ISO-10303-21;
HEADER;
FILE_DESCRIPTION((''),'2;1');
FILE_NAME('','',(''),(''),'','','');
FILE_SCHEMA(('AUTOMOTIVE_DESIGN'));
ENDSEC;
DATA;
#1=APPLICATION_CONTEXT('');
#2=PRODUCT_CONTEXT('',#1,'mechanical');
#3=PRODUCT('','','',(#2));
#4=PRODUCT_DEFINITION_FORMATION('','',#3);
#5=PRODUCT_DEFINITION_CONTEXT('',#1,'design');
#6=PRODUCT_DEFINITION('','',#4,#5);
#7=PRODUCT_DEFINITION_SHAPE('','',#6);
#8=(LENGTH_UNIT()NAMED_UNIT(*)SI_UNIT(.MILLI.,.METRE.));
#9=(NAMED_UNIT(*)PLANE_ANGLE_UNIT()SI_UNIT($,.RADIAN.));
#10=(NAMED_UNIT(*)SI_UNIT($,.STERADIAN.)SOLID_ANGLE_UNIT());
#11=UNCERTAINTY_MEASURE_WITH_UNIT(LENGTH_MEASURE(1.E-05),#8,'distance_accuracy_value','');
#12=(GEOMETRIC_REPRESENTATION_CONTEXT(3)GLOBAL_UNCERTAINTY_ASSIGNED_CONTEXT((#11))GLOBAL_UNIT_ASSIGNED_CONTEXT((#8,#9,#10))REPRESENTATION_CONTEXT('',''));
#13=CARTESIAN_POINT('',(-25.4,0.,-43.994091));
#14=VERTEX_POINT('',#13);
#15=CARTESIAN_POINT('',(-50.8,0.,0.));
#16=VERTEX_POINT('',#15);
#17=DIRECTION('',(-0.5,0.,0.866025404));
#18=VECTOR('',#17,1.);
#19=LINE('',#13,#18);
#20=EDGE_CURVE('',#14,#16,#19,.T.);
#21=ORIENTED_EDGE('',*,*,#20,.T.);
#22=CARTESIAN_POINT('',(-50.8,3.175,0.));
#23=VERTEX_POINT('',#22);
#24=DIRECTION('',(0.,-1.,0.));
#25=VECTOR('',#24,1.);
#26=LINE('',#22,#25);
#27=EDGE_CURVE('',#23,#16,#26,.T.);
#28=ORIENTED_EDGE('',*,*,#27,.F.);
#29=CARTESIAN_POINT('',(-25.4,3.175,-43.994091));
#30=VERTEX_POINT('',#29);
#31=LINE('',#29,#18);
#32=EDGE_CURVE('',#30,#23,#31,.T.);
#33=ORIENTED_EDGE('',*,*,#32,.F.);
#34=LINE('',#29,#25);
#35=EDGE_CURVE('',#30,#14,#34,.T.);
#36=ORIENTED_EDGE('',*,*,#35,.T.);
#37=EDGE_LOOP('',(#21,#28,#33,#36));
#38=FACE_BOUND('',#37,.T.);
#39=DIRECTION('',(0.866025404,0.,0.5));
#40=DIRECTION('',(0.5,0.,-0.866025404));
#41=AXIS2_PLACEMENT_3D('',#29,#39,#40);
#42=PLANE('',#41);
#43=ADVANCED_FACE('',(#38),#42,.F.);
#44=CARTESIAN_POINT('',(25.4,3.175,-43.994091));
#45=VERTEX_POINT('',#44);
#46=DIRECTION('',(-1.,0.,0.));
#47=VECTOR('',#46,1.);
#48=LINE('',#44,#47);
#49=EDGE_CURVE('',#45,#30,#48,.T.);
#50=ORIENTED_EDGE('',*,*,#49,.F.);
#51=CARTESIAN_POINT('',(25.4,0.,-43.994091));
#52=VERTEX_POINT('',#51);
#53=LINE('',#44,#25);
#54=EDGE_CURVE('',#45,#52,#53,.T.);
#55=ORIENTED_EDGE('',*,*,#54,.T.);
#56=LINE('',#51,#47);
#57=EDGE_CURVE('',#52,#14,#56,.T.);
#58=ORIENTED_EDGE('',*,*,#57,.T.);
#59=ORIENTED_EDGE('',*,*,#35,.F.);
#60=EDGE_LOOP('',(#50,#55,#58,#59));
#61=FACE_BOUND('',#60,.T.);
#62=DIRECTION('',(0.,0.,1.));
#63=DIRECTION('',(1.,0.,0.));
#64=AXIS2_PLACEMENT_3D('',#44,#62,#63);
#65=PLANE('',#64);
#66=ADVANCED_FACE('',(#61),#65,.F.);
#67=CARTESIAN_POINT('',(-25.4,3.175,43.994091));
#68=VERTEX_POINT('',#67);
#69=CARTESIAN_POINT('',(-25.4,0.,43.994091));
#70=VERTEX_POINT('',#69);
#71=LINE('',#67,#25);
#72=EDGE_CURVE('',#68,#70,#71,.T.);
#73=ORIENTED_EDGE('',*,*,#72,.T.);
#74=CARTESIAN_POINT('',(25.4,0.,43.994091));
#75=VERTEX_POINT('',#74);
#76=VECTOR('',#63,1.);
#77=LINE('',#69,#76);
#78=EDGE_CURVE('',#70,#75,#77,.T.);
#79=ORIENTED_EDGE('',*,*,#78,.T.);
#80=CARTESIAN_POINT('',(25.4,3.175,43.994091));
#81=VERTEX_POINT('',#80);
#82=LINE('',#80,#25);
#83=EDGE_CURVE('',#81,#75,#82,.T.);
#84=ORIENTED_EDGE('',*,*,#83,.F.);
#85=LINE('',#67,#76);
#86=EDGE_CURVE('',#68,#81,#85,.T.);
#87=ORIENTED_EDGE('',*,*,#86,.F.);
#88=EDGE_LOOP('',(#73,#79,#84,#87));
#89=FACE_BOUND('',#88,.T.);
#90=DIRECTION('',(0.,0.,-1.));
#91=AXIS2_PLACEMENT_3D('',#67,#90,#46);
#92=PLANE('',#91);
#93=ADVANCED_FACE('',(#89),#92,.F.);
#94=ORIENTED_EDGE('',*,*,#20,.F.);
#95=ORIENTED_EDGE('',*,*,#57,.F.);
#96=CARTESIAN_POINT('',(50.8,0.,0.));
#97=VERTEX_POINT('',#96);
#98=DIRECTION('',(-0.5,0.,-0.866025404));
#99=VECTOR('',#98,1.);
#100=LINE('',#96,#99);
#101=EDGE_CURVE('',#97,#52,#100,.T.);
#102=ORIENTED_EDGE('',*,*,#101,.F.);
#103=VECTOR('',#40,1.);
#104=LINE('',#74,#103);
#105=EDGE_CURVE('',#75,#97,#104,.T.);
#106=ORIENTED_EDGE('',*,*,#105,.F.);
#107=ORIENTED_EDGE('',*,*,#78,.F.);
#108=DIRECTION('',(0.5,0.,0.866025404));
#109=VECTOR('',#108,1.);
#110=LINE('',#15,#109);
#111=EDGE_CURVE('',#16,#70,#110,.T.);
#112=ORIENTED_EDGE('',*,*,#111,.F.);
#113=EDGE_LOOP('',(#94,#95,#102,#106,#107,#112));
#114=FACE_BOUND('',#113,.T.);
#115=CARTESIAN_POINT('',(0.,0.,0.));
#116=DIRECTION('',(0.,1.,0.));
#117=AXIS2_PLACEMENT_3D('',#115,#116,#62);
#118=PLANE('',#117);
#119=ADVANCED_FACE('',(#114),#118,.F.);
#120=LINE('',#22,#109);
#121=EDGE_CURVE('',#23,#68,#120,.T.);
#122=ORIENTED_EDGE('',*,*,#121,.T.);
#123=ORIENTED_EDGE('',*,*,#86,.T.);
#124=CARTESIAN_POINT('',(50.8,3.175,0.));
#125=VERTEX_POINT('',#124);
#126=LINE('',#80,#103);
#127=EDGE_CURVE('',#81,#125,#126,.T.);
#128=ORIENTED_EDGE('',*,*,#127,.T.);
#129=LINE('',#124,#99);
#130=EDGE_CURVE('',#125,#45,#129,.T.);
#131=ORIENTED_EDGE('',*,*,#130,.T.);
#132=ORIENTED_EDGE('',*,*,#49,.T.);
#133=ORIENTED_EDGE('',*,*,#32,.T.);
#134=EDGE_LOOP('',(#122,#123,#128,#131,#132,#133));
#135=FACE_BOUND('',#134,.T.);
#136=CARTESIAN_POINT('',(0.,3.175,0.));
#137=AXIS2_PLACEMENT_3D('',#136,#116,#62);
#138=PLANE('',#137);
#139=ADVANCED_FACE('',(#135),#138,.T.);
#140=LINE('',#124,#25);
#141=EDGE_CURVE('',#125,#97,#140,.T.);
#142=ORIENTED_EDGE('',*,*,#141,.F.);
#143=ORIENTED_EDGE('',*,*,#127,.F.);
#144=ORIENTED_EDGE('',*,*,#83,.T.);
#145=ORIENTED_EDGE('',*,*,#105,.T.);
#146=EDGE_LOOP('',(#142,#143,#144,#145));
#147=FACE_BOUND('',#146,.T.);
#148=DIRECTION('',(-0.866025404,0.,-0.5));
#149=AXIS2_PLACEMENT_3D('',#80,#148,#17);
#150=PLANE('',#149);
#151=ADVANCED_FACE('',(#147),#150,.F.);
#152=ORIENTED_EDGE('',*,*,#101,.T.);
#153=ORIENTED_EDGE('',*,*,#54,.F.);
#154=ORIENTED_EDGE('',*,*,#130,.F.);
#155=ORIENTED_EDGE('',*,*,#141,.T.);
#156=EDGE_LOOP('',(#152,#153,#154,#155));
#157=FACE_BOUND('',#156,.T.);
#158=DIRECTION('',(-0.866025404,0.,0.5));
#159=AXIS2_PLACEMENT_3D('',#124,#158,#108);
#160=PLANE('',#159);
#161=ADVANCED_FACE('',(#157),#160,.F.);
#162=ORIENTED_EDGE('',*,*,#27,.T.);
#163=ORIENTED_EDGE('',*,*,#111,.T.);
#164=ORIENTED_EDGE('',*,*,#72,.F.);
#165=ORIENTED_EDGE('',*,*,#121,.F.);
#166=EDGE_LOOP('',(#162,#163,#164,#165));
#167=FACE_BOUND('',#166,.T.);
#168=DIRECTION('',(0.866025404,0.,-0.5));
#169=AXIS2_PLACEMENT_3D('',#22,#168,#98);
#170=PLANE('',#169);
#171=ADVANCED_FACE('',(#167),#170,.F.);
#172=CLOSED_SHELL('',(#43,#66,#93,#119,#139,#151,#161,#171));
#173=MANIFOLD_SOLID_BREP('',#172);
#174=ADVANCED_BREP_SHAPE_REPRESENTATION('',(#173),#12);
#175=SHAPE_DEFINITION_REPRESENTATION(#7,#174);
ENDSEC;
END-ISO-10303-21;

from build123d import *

# Parameters (mm, degrees)
BOSS_EXTRUDE1_DEPTH = 3.175


with BuildPart() as part:
    # Sketch1 → Boss-Extrude1 (new body)
    with BuildSketch(Plane(origin=(0, 0, 0), x_dir=(1, 0, 0), z_dir=(0, 1, 0))):
        Polygon((50.8, 0), (25.4, 43.994090512), (-25.4, 43.994090512), (-50.8, 0), (-25.4, -43.994090512), (25.4, -43.994090512), align=None)
    extrude(amount=BOSS_EXTRUDE1_DEPTH)


solid = part.part
